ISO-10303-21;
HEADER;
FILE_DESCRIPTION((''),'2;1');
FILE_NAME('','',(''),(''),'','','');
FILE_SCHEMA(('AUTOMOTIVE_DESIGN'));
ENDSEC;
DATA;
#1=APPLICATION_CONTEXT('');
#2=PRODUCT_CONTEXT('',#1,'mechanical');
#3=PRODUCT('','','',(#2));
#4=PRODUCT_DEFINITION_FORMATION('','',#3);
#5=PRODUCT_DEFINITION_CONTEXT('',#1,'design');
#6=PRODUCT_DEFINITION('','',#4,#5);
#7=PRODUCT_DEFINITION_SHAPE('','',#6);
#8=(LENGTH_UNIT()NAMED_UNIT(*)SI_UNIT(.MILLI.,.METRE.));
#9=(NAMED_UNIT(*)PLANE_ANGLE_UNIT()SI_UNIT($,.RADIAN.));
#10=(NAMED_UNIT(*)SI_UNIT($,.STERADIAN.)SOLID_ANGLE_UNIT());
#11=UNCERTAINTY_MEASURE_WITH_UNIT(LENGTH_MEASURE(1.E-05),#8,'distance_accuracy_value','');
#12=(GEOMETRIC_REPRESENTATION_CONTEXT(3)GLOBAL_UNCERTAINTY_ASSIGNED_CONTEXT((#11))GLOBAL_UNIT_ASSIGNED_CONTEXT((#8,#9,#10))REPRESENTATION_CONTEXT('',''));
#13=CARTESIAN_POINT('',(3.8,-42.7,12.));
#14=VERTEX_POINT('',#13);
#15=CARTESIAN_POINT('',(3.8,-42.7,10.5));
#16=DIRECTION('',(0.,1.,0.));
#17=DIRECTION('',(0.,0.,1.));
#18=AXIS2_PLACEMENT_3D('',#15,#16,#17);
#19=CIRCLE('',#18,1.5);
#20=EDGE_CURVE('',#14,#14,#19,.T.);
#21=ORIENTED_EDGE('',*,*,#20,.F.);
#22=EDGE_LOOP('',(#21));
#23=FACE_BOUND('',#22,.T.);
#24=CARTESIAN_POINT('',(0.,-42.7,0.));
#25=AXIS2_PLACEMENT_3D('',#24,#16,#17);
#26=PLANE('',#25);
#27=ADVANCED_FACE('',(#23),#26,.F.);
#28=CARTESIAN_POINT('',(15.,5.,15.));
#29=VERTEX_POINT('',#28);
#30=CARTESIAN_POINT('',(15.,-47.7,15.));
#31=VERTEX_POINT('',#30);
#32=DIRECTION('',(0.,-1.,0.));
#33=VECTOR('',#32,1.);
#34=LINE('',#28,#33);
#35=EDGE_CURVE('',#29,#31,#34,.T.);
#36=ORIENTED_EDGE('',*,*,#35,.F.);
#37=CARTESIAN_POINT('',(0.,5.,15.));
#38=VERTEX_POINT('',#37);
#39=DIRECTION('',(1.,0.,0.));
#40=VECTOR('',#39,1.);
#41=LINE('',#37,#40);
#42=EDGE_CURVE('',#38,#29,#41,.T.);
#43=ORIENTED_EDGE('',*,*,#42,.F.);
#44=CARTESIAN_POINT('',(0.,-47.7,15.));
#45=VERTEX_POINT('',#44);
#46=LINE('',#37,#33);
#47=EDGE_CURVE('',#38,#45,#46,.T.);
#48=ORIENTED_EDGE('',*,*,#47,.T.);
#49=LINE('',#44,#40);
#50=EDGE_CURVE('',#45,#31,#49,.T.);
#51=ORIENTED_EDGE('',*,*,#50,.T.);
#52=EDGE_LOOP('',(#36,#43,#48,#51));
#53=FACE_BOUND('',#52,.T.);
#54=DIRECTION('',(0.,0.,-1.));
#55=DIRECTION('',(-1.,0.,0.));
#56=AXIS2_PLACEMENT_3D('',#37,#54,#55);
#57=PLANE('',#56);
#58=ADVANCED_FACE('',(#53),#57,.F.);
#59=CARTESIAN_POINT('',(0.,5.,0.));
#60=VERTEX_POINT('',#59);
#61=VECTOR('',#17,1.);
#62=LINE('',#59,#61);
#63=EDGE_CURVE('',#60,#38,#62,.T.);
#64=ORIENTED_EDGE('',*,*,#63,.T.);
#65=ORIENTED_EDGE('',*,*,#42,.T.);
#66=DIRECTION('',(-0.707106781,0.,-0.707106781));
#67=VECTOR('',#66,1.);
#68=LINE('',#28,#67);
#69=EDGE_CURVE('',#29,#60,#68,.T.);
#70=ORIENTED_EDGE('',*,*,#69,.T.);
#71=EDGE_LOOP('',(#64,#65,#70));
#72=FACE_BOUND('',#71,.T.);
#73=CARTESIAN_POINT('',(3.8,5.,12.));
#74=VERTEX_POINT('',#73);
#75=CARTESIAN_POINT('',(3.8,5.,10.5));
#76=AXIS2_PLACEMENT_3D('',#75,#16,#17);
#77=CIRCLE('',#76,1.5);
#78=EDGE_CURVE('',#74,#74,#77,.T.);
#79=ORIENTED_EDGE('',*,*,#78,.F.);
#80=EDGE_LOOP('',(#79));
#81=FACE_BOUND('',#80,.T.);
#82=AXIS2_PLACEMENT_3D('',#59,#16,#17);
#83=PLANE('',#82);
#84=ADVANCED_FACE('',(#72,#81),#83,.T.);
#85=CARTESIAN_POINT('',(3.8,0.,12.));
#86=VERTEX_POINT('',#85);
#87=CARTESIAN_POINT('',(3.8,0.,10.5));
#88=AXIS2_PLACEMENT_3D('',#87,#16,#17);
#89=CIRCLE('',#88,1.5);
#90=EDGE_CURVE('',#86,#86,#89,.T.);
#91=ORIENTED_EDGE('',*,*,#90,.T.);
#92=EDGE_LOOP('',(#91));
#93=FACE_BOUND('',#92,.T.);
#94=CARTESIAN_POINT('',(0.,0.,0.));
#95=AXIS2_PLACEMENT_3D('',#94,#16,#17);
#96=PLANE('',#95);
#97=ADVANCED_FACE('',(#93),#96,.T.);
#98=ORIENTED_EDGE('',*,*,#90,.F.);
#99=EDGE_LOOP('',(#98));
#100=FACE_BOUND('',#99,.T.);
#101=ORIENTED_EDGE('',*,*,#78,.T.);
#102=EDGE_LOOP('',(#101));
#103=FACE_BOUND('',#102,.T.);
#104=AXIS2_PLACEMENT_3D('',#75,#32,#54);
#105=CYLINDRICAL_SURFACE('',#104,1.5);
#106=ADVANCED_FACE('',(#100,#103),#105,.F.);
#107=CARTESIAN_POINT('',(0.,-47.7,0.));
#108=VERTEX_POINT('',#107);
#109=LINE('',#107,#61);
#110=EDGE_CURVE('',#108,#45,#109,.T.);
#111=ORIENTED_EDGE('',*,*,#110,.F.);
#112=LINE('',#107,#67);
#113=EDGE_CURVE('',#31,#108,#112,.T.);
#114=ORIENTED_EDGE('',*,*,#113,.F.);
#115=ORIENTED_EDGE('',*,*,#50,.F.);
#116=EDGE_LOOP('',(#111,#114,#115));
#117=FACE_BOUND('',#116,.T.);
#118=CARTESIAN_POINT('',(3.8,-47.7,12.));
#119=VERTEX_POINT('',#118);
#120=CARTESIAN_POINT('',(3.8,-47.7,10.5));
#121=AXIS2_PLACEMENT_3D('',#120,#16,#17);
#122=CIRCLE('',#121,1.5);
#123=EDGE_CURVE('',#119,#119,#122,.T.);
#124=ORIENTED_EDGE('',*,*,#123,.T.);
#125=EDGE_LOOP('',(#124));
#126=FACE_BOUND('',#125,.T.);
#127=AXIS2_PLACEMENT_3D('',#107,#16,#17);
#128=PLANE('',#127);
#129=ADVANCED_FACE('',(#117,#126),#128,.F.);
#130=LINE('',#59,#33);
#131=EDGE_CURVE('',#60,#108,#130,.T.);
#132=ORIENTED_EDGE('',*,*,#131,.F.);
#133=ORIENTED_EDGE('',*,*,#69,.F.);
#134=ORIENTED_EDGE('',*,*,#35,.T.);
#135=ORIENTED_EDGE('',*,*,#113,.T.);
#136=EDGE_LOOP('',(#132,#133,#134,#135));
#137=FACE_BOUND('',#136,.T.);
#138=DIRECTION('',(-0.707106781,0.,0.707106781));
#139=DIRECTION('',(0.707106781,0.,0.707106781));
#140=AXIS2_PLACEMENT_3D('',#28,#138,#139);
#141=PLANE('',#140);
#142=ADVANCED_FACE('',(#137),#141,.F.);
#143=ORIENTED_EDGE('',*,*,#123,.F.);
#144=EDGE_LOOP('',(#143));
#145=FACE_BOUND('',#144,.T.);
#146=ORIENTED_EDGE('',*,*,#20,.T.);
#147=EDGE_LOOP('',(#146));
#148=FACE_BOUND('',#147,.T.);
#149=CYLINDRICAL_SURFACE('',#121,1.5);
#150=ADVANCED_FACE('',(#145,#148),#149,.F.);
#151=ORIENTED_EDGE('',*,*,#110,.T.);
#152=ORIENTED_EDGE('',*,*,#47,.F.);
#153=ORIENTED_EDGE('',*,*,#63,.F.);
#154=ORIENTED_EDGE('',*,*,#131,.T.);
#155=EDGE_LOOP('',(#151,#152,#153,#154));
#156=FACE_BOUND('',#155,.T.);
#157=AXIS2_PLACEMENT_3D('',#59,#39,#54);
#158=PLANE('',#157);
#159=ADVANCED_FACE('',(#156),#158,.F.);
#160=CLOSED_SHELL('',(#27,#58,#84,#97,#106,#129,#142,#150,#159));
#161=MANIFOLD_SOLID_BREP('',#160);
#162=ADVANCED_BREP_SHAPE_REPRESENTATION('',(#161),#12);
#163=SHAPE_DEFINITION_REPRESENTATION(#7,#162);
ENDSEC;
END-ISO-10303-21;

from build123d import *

# Parameters (mm, degrees)
SKETCH1_R           = 1.5
BOSS_EXTRUDE1_DEPTH = 5
BOSS_EXTRUDE2_DEPTH = 42.7
BOSS_EXTRUDE3_START = -47.7
SKETCH1_4_R         = 1.5
BOSS_EXTRUDE3_DEPTH = 5


with BuildPart() as part:
    # Sketch1 → Boss-Extrude1 (new body)
    with BuildSketch(Plane(origin=(0, 0, 0), x_dir=(1, 0, 0), z_dir=(0, 1, 0))):
        Polygon((0, 0), (0, -15), (15, -15), align=None)
        with Locations((3.8, -10.5)):
            Circle(SKETCH1_R, mode=Mode.SUBTRACT)
    extrude(amount=BOSS_EXTRUDE1_DEPTH)

    # Sketch1<2> → Boss-Extrude2 (add)
    with BuildSketch(Plane(origin=(0, 0, 0), x_dir=(1, 0, 0), z_dir=(0, 1, 0))):
        Polygon((15, -15), (0, 0), (0, -15), align=None)
    extrude(amount=-BOSS_EXTRUDE2_DEPTH)

    # Sketch1<4> → Boss-Extrude3 (add)
    with BuildSketch(Plane(origin=(0, 0, 0), x_dir=(1, 0, 0), z_dir=(0, 1, 0)).offset(BOSS_EXTRUDE3_START)):
        Polygon((15, -15), (0, 0), (0, -15), align=None)
        with Locations((3.8, -10.5)):
            Circle(SKETCH1_4_R, mode=Mode.SUBTRACT)
    extrude(amount=BOSS_EXTRUDE3_DEPTH)


solid = part.part
